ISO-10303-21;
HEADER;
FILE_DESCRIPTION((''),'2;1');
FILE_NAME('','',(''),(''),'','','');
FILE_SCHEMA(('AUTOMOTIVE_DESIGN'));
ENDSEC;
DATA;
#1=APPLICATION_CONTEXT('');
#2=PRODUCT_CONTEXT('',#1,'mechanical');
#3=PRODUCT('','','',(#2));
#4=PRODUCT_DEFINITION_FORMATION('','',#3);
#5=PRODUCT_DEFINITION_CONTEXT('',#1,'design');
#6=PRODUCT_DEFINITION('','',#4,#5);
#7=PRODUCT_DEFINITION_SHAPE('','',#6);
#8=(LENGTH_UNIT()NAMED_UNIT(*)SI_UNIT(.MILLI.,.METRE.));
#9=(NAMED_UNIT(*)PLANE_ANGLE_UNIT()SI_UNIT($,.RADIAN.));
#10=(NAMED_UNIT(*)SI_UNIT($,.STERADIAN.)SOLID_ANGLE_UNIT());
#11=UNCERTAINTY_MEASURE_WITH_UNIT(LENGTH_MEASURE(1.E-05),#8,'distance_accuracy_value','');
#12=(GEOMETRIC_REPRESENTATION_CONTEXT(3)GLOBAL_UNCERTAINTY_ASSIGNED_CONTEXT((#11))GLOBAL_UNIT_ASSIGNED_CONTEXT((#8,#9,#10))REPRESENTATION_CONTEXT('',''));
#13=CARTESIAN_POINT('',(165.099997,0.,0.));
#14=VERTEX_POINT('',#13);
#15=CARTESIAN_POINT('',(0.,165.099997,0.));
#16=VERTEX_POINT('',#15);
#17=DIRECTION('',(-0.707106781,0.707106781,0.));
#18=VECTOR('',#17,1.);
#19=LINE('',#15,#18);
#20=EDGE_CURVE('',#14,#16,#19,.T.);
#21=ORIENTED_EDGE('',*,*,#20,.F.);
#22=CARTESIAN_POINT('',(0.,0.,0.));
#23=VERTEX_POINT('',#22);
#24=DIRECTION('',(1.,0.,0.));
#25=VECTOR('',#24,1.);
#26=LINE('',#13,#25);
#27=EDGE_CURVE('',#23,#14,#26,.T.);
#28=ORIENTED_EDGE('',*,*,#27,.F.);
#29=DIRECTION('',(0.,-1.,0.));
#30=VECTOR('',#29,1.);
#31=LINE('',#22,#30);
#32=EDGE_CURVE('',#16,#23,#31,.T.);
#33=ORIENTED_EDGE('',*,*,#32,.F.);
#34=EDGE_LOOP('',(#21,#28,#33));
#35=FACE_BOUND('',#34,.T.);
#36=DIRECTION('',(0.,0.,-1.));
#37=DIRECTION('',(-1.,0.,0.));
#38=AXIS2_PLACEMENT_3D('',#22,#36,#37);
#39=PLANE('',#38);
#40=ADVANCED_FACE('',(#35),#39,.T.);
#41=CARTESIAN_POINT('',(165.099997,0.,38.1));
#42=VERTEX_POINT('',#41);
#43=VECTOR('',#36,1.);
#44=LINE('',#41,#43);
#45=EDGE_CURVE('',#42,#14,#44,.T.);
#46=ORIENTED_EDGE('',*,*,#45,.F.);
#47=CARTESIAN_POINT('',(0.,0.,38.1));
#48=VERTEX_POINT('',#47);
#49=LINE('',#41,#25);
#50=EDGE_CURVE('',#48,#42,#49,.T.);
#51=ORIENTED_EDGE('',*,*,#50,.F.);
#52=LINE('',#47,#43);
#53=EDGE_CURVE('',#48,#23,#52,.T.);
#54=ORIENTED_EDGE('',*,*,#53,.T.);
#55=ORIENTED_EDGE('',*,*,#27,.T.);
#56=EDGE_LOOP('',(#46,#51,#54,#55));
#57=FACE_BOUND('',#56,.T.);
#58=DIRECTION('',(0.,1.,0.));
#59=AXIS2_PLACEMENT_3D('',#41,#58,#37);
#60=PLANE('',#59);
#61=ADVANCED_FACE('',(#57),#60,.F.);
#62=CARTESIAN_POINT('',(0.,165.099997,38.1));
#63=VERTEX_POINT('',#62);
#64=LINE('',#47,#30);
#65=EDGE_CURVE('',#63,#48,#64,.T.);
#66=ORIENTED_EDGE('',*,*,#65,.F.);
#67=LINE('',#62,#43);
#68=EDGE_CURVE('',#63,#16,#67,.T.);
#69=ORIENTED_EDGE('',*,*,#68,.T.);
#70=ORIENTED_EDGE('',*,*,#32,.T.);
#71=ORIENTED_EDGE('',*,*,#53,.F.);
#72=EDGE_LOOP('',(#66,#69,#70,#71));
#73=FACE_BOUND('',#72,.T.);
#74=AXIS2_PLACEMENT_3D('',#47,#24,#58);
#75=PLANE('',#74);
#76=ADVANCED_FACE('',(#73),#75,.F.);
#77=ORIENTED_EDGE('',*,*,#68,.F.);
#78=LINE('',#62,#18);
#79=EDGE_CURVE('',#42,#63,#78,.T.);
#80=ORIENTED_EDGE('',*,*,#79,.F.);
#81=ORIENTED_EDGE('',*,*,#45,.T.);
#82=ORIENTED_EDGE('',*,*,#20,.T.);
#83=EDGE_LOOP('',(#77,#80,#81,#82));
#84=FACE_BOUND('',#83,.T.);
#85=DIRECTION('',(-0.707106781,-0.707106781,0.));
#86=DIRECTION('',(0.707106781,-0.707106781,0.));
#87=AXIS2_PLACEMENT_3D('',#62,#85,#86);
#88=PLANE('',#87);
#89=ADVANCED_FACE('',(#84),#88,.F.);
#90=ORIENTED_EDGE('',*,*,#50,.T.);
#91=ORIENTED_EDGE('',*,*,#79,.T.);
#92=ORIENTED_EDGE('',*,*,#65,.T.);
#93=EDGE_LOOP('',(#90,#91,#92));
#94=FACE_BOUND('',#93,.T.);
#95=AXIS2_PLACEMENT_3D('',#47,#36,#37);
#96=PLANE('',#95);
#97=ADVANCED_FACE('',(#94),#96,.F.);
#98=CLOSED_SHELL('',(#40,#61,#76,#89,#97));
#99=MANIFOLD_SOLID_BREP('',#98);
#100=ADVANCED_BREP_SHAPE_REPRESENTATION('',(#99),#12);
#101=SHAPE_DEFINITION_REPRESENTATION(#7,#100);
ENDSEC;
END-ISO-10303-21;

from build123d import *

# Parameters (mm, degrees)
BOSS_EXTRUDE1_DEPTH = 38.1


with BuildPart() as part:
    # Sketch1 → Boss-Extrude1 (new body)
    with BuildSketch(Plane.XY):
        Polygon((0, 0), (0, 165.099997208), (165.099997208, 0), align=None)
    extrude(amount=BOSS_EXTRUDE1_DEPTH)


solid = part.part
